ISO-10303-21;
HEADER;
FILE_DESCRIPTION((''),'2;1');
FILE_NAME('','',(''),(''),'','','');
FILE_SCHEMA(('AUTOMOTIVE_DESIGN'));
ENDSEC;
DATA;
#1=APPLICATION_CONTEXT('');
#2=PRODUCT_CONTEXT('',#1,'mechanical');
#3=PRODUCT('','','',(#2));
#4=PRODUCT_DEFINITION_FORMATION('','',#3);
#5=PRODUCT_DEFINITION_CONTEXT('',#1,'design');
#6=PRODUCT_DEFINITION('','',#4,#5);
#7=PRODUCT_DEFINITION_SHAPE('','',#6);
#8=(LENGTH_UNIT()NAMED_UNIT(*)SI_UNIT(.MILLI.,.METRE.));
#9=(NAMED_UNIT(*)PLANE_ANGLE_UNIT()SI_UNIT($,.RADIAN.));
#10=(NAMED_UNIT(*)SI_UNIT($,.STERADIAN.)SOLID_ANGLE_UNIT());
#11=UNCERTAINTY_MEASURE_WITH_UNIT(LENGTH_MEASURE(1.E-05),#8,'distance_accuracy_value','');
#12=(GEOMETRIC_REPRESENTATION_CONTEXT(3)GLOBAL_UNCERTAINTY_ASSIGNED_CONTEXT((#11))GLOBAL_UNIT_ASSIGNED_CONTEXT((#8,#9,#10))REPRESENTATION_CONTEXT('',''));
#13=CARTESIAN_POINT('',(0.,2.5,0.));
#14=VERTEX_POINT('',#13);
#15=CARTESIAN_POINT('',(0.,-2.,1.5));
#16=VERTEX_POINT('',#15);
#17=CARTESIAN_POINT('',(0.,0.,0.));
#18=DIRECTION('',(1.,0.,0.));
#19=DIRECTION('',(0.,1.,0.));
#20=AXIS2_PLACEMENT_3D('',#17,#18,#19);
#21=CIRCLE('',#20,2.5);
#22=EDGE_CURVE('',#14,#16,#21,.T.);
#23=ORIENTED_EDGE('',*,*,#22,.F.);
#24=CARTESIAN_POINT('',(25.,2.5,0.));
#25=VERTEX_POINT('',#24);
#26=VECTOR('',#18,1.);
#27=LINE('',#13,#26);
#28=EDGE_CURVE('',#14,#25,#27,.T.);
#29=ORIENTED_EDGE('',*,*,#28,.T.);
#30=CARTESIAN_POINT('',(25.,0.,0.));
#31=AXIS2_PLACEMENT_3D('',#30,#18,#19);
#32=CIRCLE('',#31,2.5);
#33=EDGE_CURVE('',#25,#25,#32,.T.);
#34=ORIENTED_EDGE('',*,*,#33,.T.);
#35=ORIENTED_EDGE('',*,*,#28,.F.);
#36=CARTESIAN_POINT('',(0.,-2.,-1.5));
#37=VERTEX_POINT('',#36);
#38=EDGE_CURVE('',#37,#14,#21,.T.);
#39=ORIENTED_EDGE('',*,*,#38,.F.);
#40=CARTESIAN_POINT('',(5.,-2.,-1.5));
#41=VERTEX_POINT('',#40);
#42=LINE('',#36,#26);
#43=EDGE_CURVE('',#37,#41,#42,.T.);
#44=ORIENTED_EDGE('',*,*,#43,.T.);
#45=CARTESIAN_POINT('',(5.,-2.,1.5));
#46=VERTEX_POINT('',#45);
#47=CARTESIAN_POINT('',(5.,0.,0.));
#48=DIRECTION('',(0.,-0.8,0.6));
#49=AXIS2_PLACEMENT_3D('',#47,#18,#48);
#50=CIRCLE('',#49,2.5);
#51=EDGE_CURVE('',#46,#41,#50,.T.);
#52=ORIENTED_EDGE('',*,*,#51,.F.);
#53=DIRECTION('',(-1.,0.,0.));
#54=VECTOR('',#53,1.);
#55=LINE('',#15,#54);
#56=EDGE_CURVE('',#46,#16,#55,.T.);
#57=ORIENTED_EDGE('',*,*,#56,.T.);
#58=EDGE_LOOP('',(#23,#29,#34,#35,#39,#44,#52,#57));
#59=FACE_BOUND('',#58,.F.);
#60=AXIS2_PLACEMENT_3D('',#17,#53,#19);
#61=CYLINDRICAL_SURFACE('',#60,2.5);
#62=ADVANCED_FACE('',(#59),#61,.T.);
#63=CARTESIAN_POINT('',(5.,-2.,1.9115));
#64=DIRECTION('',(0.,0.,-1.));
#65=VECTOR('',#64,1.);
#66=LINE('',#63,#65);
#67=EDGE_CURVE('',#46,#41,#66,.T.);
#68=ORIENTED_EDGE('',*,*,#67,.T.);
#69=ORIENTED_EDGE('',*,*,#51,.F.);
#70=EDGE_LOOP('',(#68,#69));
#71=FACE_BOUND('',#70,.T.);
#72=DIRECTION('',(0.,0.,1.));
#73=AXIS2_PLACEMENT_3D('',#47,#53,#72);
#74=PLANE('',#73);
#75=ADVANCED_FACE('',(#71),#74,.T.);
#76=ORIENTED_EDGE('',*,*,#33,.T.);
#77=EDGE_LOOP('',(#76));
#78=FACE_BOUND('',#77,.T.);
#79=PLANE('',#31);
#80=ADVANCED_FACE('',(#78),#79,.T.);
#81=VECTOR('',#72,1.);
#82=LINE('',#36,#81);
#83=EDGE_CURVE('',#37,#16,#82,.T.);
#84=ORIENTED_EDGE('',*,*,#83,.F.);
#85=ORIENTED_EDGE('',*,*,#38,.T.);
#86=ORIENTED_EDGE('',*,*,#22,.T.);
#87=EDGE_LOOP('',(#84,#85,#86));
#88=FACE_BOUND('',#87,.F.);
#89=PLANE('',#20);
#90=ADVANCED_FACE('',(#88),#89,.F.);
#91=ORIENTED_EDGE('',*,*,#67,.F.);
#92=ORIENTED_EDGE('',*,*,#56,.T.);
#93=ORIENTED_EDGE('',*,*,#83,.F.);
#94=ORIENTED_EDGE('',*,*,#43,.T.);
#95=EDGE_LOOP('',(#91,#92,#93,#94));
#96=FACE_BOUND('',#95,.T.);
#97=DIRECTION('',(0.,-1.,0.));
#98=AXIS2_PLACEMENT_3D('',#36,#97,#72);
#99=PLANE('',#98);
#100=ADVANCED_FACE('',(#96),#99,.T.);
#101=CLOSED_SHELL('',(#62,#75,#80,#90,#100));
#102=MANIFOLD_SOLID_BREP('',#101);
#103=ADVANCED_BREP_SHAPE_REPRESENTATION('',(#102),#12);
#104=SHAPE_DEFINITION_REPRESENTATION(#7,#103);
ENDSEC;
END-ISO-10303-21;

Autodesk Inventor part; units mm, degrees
ref_plane "YZ Plane" through (0, 0, 0) normal (1, 0, 0) x (0, 1, 0)
ref_plane "XZ Plane" through (0, 0, 0) normal (0, 1, 0) x (-1, 0, 0)
ref_plane "XY Plane" through (0, 0, 0) normal (0, 0, 1) x (1, 0, 0)
sketch "Sketch1" plane through (0, 0, 0) normal (1, 0, 0) x (0, 1, 0)
  circle A0 centre (0, 0) radius 2.5
  dimension "d0" = 5
extrude "Extrusion1" add sketch "Sketch1" along normal blind 25
sketch "Sketch2" plane through (0, 0, 0) normal (-1, 0, 0) x (0, 0, 1)
  circle A0 centre (0, 0) radius 2.5 projected
  line L0 (-1.5, -2) -> (1.9115, -2)
  line L1 (1.9115, -2) -> (1.9115, -2.5)
  line L2 (1.9115, -2.5) -> (-1.5, -2.5)
  line L3 (-1.5, -2.5) -> (-1.5, -2)
  dimension "d3" = 0.5
extrude "Extrusion2" cut sketch "Sketch2" against normal blind 5 contours L0 A0 | A0 L2 L3 | L0 L1 L2 A0 picked at (0.3466, -2.0912)
properties part number "BarLimitSwitch"
